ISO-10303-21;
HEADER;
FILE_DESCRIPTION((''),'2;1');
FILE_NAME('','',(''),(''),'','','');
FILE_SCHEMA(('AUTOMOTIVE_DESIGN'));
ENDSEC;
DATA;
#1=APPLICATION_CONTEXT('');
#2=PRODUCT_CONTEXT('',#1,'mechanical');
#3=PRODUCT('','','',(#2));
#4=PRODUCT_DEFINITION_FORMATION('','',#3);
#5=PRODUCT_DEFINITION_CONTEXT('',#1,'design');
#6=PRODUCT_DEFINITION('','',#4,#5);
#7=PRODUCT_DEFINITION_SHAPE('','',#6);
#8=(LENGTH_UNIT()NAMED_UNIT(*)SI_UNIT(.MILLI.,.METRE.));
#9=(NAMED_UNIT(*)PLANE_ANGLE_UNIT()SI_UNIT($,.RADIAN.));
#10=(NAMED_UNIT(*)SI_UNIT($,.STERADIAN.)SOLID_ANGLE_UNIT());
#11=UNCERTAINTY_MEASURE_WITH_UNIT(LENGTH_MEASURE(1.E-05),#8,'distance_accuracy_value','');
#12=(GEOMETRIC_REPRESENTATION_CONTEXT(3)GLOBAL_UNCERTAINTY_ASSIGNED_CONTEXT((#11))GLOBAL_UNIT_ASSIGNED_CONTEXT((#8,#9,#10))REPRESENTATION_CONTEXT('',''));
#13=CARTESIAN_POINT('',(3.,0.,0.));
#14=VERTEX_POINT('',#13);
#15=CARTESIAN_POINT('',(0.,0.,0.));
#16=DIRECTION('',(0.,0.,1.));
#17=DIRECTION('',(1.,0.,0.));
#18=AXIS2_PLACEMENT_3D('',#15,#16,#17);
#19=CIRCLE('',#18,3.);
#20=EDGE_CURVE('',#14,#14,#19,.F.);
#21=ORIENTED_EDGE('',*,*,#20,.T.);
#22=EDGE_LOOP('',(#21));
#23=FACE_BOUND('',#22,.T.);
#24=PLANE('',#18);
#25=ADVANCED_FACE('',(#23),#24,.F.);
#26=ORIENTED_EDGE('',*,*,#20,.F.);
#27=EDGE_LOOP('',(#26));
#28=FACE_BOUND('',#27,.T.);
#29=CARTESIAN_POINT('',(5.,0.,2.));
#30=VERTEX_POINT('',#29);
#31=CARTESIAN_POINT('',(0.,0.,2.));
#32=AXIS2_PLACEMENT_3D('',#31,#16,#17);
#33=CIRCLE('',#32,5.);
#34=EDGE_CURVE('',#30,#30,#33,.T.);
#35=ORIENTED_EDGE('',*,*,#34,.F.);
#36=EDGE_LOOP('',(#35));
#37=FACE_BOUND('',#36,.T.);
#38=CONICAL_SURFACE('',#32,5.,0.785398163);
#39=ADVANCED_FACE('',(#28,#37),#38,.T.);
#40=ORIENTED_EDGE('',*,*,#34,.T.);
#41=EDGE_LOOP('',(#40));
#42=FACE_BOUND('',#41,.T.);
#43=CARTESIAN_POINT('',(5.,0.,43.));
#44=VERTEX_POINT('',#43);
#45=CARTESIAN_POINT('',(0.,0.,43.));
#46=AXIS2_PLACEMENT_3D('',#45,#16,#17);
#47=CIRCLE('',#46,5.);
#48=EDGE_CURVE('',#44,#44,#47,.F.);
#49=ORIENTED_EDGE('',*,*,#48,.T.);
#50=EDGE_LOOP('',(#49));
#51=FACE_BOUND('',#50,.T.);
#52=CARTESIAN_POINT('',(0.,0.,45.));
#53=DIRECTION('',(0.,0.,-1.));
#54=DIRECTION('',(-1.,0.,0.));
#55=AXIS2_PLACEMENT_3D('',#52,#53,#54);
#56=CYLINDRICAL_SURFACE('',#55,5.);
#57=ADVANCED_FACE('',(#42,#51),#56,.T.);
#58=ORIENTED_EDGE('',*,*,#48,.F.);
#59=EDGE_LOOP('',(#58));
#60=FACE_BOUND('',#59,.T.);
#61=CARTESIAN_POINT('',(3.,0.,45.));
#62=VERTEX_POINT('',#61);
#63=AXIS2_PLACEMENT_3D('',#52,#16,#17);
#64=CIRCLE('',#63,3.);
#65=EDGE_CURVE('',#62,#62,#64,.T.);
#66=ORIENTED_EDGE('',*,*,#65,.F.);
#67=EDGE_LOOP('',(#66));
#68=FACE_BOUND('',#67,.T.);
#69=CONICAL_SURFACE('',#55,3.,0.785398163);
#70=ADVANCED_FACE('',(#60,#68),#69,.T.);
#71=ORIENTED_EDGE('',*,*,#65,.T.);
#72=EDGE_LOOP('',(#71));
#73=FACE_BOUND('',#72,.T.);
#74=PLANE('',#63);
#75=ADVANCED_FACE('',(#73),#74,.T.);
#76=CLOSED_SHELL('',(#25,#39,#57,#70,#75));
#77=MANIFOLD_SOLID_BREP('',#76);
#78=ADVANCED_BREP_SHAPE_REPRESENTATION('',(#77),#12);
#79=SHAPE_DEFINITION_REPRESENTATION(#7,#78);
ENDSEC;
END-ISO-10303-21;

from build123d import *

# Parameters (mm, degrees)
SKETCH1_R           = 5
BOSS_EXTRUDE1_DEPTH = 45
CHAMFER1_SIZE       = 2


with BuildPart() as part:
    # Sketch1 → Boss-Extrude1 (new body)
    with BuildSketch(Plane.XY):
        Circle(SKETCH1_R)
    extrude(amount=BOSS_EXTRUDE1_DEPTH)

    # Chamfer1
    chamfer1_edges = [part.edges().sort_by_distance(p)[0] for p in [
        (-5, 0, 0),
        (-5, 0, 45),
    ]]
    chamfer(chamfer1_edges, length=CHAMFER1_SIZE)


solid = part.part
